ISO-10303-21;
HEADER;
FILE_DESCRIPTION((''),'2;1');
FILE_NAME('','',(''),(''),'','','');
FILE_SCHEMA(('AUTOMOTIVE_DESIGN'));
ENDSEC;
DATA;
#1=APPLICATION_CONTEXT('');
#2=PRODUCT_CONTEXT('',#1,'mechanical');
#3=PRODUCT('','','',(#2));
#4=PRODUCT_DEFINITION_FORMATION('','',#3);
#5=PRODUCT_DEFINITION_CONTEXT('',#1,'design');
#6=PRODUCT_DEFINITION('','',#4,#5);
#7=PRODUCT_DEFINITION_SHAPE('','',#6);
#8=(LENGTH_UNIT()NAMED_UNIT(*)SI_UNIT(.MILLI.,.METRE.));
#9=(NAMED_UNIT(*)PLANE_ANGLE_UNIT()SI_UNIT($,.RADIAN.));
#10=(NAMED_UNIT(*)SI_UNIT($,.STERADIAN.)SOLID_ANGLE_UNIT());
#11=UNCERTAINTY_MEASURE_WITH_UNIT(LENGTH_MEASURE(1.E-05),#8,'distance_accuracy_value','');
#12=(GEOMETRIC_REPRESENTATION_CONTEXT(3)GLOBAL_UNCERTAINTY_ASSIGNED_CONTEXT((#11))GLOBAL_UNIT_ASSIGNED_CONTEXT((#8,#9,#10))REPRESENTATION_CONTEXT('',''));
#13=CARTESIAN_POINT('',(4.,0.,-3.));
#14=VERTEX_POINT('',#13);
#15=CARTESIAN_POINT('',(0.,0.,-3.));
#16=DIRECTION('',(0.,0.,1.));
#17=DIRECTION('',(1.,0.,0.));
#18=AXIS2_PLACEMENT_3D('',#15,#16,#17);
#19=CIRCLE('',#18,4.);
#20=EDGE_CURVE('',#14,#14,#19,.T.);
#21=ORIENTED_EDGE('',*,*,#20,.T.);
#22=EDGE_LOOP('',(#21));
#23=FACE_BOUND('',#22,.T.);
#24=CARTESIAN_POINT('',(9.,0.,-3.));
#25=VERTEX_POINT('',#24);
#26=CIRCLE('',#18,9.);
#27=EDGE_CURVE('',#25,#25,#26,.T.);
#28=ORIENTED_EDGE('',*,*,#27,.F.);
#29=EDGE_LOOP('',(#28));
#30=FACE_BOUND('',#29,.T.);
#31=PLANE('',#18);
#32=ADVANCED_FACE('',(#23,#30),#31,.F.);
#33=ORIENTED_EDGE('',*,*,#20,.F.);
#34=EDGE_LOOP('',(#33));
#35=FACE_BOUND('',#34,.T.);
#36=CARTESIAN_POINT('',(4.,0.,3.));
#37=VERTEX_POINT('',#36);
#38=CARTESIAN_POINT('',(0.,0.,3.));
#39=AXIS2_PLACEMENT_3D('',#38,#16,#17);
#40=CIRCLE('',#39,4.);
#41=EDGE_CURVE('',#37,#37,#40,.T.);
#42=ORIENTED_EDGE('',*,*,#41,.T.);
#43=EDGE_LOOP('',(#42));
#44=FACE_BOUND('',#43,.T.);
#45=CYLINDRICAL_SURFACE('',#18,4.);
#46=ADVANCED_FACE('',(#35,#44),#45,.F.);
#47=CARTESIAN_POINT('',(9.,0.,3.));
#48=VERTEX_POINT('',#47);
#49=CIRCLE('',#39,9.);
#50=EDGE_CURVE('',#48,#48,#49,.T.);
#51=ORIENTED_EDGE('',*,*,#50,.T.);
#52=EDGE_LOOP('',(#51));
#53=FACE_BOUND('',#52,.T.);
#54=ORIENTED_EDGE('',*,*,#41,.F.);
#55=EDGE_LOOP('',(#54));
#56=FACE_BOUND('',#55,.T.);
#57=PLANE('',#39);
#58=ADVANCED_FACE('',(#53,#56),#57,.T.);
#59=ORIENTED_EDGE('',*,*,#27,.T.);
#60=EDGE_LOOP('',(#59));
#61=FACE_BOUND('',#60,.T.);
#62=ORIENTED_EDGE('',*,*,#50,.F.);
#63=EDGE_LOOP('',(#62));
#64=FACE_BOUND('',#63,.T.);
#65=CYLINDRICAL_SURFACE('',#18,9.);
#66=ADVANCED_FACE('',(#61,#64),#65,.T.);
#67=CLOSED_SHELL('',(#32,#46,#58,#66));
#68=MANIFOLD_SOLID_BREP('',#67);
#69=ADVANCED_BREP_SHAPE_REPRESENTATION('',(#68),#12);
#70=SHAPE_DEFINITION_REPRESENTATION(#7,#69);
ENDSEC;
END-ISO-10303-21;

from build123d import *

# Parameters (mm, degrees)
BOSS_EXTRUDE1_DEPTH      = 3
BOSS_EXTRUDE1_DEPTH_BACK = 3
SKETCH1_R                = 9
SKETCH1_R_2              = 4


with BuildPart() as part:
    # Sketch1 → Boss-Extrude1 (new, two sides: drawn at the far end of the back side and taken through both)
    with BuildSketch(Plane.XY.offset(-BOSS_EXTRUDE1_DEPTH_BACK)):
        Circle(SKETCH1_R)
        Circle(SKETCH1_R_2, mode=Mode.SUBTRACT)
    extrude(amount=BOSS_EXTRUDE1_DEPTH + BOSS_EXTRUDE1_DEPTH_BACK)


solid = part.part
